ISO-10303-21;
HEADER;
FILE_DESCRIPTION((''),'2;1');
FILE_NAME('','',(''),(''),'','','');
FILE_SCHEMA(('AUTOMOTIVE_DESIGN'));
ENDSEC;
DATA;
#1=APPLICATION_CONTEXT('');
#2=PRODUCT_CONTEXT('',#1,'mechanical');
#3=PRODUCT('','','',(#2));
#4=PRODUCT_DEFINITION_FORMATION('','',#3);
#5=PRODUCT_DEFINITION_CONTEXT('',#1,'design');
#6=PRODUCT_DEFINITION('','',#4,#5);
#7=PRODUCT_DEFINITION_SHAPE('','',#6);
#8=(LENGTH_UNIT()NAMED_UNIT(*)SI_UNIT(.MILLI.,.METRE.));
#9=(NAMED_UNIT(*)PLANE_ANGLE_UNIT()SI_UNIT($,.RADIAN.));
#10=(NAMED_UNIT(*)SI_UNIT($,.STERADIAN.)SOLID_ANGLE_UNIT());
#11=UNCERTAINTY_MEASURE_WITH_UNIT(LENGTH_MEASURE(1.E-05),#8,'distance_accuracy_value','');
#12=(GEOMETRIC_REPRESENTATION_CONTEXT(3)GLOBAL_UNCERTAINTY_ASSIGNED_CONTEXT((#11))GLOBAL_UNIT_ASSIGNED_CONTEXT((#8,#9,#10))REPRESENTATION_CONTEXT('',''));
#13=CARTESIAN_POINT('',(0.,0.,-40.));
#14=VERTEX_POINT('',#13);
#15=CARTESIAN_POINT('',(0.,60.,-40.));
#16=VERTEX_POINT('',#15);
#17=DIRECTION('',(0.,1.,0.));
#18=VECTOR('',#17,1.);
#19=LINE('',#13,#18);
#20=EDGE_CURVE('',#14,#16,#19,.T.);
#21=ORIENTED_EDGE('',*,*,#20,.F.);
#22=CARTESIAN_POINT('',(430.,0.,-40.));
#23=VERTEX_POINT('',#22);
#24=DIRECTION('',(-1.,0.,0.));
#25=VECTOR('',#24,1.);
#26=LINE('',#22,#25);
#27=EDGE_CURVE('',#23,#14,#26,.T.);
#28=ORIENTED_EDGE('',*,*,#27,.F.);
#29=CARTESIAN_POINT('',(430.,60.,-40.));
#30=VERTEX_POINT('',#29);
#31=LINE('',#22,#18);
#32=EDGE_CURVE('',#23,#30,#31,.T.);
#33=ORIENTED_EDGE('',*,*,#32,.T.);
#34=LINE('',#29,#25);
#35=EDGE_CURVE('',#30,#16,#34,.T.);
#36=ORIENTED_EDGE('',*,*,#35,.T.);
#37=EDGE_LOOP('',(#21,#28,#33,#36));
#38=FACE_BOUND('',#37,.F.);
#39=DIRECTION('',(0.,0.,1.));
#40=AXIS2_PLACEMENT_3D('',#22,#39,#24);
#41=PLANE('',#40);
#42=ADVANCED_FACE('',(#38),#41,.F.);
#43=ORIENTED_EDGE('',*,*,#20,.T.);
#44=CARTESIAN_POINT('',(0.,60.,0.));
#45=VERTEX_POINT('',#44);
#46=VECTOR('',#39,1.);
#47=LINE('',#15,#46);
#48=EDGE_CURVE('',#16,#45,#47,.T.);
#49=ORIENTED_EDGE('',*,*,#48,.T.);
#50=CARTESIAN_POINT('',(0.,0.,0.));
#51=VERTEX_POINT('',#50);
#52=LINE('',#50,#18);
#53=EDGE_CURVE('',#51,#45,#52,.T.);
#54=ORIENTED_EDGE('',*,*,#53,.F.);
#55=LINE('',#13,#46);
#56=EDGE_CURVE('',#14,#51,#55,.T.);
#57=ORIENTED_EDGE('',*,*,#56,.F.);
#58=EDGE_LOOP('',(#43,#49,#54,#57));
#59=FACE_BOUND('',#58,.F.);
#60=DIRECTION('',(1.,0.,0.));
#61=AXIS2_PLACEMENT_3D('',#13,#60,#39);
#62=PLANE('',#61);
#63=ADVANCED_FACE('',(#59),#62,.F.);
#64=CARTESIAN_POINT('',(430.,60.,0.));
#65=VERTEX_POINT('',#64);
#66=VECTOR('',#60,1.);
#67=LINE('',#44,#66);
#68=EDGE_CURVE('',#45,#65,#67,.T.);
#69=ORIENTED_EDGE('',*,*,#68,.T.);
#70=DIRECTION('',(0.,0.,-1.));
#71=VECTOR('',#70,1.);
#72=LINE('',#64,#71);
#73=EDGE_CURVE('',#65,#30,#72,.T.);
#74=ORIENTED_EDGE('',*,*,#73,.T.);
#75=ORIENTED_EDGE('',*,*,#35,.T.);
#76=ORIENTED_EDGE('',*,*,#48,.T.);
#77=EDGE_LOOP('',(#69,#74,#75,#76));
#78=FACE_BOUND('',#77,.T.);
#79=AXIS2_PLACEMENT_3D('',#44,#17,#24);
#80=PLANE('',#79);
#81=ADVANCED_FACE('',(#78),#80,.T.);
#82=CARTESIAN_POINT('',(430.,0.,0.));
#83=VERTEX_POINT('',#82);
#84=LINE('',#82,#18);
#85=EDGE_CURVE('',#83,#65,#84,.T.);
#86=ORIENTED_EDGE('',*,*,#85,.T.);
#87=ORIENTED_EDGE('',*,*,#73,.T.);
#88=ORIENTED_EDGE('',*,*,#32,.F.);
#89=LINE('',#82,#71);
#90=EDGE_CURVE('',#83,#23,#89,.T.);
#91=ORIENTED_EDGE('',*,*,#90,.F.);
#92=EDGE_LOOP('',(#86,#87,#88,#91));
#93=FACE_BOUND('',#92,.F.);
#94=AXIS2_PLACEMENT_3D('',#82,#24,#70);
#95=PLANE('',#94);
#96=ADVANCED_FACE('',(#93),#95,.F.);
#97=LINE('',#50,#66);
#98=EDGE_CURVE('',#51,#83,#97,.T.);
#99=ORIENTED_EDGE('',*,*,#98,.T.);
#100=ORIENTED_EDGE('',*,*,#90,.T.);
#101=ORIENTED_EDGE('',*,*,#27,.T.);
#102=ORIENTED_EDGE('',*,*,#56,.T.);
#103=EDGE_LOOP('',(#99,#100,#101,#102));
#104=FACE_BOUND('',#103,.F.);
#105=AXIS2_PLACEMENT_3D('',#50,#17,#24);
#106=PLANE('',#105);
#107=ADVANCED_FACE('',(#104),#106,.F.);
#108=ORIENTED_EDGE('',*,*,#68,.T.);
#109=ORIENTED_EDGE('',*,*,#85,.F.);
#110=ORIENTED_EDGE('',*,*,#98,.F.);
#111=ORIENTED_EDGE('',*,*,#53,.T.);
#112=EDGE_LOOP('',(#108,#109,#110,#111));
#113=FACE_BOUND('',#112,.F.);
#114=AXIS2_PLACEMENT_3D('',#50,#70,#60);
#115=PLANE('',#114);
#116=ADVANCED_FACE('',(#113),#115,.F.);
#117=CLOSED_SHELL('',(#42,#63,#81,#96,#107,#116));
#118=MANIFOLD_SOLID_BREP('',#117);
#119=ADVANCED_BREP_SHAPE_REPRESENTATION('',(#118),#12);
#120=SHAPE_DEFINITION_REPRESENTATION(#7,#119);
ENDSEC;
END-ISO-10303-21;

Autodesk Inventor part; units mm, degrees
ref_plane "YZ Plane" through (0, 0, 0) normal (1, 0, 0) x (0, 1, 0)
ref_plane "XZ Plane" through (0, 0, 0) normal (0, 1, 0) x (-1, 0, 0)
ref_plane "XY Plane" through (0, 0, 0) normal (0, 0, 1) x (1, 0, 0)
sketch "Sketch1" plane through (0, 0, 0) normal (0, 1, 0) x (-1, 0, 0)
  line L0 (0, 0) -> (-430, 0)
  line L1 (-430, 0) -> (-430, -40)
  line L2 (-430, -40) -> (0, -40)
  line L3 (0, -40) -> (0, 0)
  dimension "d0" = 430
  dimension "d1" = 40
extrude "Extrusion1" add sketch "Sketch1" along normal blind 60
properties part number "Cadru_1"
